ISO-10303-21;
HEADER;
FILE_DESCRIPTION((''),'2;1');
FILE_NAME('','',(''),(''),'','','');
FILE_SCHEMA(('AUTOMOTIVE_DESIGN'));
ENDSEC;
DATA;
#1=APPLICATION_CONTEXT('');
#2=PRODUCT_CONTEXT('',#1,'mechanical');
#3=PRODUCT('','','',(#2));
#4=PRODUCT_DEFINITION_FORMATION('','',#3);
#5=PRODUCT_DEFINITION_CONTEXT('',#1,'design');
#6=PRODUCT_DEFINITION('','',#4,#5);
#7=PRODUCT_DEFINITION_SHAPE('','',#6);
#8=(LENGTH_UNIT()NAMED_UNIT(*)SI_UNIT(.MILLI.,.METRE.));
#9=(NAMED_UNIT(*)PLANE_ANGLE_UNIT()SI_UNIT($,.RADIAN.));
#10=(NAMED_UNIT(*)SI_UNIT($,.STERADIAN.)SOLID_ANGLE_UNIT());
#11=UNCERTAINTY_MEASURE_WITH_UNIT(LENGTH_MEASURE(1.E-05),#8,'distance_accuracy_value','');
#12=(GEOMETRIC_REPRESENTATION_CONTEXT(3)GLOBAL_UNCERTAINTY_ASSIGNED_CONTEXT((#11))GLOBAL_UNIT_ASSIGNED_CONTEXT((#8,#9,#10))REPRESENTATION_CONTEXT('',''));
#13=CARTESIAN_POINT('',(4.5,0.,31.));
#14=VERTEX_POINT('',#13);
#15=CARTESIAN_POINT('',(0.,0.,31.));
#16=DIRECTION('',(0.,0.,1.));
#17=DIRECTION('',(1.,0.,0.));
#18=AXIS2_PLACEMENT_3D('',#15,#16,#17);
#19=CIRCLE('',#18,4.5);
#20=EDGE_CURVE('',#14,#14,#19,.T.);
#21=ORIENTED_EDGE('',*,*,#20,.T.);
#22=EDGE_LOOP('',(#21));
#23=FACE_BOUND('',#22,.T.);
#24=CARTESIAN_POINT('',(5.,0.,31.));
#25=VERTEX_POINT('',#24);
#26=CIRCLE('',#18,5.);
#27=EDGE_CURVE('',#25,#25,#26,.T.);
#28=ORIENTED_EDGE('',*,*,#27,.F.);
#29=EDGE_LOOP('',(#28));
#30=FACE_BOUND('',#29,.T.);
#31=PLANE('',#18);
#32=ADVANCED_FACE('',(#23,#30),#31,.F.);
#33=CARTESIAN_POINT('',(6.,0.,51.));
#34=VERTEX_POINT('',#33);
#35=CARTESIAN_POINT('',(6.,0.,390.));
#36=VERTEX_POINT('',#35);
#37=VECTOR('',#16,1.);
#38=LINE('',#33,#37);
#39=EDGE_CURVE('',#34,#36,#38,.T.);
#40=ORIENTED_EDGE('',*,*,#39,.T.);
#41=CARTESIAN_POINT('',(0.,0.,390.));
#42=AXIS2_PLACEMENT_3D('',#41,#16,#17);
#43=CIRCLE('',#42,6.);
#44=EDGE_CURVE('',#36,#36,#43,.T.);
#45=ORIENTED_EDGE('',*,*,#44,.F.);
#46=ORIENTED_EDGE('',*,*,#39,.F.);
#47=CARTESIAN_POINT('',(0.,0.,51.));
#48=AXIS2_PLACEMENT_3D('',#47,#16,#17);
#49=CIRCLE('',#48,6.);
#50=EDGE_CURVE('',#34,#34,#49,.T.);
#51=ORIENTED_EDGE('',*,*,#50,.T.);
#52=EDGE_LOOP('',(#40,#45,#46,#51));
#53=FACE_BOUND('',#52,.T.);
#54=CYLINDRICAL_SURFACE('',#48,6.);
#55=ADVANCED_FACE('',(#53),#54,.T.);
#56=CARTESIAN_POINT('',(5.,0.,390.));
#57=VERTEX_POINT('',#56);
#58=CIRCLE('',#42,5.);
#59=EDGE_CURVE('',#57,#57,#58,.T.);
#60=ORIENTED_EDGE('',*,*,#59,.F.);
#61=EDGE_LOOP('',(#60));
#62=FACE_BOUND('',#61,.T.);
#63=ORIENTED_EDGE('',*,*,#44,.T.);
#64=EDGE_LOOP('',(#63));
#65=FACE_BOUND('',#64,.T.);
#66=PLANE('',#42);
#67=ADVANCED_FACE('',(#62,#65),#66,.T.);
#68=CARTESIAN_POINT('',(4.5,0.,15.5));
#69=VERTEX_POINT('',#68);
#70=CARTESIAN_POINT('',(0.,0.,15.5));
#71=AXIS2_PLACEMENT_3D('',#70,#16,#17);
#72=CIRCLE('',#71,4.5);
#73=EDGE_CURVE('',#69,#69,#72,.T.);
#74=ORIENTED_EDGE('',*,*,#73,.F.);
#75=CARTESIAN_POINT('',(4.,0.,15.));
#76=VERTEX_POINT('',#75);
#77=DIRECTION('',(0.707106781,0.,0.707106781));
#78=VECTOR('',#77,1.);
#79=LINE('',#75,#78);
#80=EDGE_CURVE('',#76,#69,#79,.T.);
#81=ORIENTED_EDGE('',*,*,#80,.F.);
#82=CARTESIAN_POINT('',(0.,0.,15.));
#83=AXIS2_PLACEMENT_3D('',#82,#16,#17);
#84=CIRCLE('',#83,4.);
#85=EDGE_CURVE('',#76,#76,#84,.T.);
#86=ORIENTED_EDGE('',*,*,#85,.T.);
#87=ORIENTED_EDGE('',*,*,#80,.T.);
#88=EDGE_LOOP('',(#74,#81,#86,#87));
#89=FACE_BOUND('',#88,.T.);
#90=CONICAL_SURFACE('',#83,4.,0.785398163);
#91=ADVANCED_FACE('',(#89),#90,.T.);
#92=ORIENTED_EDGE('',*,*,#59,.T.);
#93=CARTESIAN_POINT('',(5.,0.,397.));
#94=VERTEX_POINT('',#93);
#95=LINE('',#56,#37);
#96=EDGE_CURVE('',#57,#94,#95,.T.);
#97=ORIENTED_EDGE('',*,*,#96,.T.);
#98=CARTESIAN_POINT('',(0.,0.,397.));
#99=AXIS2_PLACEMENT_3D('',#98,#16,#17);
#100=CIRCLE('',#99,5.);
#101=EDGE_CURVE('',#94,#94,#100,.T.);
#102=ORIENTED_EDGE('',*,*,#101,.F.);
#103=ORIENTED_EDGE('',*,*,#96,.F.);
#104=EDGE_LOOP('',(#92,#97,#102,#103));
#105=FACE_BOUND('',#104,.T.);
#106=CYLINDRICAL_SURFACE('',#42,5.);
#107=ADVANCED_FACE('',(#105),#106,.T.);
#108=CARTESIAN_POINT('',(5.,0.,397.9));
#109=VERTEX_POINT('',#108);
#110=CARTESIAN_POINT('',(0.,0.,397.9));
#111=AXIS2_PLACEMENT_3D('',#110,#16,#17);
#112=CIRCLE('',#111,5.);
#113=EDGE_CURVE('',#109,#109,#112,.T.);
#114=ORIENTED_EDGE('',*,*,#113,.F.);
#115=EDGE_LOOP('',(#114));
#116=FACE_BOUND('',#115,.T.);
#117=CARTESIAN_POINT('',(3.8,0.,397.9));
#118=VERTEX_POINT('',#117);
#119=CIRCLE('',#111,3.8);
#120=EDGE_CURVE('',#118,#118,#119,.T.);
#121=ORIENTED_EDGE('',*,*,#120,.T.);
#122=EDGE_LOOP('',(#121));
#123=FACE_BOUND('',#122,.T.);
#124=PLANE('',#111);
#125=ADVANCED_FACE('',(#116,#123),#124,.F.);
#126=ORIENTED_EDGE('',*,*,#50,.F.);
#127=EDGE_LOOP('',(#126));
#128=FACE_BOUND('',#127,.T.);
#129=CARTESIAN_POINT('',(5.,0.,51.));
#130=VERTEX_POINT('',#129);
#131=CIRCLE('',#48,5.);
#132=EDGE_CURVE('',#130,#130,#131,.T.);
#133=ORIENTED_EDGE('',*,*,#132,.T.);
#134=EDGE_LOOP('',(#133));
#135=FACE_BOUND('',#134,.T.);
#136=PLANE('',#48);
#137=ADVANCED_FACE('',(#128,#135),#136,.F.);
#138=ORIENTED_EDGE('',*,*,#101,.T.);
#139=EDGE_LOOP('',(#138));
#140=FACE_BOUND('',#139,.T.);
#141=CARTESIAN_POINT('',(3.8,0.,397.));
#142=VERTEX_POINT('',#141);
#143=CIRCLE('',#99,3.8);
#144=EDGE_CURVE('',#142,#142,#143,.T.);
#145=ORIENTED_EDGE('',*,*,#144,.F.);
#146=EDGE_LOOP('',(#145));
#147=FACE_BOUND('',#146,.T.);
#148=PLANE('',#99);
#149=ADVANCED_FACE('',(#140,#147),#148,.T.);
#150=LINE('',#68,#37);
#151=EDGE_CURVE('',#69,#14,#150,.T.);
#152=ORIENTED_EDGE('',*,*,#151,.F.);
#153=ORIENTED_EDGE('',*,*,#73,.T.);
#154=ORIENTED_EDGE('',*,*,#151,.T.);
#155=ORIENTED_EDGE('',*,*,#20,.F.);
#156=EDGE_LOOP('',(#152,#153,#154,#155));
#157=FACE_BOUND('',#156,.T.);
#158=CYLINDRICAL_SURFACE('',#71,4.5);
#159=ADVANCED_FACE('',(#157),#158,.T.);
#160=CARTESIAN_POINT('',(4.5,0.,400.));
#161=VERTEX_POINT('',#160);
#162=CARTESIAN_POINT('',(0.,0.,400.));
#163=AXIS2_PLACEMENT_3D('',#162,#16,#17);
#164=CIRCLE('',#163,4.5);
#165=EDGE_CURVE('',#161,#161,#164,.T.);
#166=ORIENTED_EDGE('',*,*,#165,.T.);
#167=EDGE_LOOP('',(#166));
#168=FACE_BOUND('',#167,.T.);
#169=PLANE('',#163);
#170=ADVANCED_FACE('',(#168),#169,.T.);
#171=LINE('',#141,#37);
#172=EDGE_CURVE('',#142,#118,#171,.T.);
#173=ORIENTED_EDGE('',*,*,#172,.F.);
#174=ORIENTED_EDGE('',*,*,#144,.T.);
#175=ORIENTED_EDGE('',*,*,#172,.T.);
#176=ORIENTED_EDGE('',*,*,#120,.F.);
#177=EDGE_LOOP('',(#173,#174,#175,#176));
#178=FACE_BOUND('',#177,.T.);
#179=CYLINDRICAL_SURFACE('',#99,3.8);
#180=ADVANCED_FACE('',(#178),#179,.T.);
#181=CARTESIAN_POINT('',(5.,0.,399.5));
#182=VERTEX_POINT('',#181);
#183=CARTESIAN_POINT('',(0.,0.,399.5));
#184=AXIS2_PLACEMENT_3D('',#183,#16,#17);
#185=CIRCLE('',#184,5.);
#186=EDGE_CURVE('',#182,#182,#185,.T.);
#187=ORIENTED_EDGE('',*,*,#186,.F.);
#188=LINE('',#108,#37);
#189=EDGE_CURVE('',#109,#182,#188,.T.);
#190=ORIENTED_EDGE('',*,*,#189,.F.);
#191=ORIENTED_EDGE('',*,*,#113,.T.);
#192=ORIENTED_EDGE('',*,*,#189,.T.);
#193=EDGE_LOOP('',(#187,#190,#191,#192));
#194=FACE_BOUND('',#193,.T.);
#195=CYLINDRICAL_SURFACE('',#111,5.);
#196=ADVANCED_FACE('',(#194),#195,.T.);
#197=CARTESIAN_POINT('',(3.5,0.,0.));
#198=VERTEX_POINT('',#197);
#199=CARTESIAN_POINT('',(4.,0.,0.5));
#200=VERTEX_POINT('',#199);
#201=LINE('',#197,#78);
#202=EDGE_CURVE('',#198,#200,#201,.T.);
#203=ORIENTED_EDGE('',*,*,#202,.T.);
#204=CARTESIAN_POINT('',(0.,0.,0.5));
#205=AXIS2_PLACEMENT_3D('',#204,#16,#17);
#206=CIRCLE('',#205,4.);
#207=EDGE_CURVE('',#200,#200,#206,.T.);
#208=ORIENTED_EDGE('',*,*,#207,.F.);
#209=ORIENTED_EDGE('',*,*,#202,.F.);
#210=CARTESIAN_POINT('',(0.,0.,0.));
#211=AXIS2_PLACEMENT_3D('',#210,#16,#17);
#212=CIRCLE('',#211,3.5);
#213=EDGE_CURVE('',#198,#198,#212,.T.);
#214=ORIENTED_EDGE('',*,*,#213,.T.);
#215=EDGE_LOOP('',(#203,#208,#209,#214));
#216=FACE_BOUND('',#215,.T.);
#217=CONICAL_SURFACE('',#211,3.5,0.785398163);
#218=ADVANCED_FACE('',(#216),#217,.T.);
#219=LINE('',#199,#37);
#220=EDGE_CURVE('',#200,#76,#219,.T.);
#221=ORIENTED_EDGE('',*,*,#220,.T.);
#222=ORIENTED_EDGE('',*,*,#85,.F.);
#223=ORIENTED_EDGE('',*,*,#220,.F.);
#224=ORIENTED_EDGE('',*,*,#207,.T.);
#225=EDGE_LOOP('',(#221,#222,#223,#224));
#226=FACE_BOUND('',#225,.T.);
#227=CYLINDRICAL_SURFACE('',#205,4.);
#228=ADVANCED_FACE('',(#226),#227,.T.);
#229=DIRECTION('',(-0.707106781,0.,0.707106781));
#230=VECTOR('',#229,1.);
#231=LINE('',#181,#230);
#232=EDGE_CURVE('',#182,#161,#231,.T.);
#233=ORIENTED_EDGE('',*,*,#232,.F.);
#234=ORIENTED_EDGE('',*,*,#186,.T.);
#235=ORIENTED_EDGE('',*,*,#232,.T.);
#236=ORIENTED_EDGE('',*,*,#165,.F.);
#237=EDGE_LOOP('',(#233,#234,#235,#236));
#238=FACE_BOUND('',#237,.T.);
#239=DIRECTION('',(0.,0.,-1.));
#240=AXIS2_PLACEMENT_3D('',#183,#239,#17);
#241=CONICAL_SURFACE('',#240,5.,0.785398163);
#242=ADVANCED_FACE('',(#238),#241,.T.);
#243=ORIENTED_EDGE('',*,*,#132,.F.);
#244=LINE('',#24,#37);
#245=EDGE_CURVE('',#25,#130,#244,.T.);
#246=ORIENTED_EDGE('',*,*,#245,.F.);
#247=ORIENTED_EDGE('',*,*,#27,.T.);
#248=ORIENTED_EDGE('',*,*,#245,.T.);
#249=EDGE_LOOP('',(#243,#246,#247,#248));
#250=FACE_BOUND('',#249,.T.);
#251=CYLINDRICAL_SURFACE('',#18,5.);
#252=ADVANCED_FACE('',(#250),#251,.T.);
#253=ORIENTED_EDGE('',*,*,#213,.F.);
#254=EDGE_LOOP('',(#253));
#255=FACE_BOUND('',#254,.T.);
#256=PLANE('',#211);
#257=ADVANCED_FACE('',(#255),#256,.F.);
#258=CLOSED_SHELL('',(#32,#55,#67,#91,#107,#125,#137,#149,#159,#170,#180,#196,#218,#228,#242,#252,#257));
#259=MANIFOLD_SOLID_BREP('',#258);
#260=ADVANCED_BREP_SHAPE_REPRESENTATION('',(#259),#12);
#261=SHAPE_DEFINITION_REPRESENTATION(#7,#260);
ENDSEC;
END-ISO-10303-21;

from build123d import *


with BuildPart() as f1:
    # F0 (on Front) → F1 (revolve)
    with BuildSketch(Plane.XZ):
        Polygon((0, 400), (0, 0), (3.5, 0), (4, 0.5), (4, 15), (4.5, 15.5), (4.5, 31), (5, 31), (5, 51), (6, 51), (6, 390), (5, 390), (5, 397), (3.8, 397), (3.8, 397.9), (5, 397.9), (5, 399.5), (4.5, 400), align=None)
    revolve(axis=Axis((0, 0, 142.919585), (0, 0, 1)))


solid = f1.part
